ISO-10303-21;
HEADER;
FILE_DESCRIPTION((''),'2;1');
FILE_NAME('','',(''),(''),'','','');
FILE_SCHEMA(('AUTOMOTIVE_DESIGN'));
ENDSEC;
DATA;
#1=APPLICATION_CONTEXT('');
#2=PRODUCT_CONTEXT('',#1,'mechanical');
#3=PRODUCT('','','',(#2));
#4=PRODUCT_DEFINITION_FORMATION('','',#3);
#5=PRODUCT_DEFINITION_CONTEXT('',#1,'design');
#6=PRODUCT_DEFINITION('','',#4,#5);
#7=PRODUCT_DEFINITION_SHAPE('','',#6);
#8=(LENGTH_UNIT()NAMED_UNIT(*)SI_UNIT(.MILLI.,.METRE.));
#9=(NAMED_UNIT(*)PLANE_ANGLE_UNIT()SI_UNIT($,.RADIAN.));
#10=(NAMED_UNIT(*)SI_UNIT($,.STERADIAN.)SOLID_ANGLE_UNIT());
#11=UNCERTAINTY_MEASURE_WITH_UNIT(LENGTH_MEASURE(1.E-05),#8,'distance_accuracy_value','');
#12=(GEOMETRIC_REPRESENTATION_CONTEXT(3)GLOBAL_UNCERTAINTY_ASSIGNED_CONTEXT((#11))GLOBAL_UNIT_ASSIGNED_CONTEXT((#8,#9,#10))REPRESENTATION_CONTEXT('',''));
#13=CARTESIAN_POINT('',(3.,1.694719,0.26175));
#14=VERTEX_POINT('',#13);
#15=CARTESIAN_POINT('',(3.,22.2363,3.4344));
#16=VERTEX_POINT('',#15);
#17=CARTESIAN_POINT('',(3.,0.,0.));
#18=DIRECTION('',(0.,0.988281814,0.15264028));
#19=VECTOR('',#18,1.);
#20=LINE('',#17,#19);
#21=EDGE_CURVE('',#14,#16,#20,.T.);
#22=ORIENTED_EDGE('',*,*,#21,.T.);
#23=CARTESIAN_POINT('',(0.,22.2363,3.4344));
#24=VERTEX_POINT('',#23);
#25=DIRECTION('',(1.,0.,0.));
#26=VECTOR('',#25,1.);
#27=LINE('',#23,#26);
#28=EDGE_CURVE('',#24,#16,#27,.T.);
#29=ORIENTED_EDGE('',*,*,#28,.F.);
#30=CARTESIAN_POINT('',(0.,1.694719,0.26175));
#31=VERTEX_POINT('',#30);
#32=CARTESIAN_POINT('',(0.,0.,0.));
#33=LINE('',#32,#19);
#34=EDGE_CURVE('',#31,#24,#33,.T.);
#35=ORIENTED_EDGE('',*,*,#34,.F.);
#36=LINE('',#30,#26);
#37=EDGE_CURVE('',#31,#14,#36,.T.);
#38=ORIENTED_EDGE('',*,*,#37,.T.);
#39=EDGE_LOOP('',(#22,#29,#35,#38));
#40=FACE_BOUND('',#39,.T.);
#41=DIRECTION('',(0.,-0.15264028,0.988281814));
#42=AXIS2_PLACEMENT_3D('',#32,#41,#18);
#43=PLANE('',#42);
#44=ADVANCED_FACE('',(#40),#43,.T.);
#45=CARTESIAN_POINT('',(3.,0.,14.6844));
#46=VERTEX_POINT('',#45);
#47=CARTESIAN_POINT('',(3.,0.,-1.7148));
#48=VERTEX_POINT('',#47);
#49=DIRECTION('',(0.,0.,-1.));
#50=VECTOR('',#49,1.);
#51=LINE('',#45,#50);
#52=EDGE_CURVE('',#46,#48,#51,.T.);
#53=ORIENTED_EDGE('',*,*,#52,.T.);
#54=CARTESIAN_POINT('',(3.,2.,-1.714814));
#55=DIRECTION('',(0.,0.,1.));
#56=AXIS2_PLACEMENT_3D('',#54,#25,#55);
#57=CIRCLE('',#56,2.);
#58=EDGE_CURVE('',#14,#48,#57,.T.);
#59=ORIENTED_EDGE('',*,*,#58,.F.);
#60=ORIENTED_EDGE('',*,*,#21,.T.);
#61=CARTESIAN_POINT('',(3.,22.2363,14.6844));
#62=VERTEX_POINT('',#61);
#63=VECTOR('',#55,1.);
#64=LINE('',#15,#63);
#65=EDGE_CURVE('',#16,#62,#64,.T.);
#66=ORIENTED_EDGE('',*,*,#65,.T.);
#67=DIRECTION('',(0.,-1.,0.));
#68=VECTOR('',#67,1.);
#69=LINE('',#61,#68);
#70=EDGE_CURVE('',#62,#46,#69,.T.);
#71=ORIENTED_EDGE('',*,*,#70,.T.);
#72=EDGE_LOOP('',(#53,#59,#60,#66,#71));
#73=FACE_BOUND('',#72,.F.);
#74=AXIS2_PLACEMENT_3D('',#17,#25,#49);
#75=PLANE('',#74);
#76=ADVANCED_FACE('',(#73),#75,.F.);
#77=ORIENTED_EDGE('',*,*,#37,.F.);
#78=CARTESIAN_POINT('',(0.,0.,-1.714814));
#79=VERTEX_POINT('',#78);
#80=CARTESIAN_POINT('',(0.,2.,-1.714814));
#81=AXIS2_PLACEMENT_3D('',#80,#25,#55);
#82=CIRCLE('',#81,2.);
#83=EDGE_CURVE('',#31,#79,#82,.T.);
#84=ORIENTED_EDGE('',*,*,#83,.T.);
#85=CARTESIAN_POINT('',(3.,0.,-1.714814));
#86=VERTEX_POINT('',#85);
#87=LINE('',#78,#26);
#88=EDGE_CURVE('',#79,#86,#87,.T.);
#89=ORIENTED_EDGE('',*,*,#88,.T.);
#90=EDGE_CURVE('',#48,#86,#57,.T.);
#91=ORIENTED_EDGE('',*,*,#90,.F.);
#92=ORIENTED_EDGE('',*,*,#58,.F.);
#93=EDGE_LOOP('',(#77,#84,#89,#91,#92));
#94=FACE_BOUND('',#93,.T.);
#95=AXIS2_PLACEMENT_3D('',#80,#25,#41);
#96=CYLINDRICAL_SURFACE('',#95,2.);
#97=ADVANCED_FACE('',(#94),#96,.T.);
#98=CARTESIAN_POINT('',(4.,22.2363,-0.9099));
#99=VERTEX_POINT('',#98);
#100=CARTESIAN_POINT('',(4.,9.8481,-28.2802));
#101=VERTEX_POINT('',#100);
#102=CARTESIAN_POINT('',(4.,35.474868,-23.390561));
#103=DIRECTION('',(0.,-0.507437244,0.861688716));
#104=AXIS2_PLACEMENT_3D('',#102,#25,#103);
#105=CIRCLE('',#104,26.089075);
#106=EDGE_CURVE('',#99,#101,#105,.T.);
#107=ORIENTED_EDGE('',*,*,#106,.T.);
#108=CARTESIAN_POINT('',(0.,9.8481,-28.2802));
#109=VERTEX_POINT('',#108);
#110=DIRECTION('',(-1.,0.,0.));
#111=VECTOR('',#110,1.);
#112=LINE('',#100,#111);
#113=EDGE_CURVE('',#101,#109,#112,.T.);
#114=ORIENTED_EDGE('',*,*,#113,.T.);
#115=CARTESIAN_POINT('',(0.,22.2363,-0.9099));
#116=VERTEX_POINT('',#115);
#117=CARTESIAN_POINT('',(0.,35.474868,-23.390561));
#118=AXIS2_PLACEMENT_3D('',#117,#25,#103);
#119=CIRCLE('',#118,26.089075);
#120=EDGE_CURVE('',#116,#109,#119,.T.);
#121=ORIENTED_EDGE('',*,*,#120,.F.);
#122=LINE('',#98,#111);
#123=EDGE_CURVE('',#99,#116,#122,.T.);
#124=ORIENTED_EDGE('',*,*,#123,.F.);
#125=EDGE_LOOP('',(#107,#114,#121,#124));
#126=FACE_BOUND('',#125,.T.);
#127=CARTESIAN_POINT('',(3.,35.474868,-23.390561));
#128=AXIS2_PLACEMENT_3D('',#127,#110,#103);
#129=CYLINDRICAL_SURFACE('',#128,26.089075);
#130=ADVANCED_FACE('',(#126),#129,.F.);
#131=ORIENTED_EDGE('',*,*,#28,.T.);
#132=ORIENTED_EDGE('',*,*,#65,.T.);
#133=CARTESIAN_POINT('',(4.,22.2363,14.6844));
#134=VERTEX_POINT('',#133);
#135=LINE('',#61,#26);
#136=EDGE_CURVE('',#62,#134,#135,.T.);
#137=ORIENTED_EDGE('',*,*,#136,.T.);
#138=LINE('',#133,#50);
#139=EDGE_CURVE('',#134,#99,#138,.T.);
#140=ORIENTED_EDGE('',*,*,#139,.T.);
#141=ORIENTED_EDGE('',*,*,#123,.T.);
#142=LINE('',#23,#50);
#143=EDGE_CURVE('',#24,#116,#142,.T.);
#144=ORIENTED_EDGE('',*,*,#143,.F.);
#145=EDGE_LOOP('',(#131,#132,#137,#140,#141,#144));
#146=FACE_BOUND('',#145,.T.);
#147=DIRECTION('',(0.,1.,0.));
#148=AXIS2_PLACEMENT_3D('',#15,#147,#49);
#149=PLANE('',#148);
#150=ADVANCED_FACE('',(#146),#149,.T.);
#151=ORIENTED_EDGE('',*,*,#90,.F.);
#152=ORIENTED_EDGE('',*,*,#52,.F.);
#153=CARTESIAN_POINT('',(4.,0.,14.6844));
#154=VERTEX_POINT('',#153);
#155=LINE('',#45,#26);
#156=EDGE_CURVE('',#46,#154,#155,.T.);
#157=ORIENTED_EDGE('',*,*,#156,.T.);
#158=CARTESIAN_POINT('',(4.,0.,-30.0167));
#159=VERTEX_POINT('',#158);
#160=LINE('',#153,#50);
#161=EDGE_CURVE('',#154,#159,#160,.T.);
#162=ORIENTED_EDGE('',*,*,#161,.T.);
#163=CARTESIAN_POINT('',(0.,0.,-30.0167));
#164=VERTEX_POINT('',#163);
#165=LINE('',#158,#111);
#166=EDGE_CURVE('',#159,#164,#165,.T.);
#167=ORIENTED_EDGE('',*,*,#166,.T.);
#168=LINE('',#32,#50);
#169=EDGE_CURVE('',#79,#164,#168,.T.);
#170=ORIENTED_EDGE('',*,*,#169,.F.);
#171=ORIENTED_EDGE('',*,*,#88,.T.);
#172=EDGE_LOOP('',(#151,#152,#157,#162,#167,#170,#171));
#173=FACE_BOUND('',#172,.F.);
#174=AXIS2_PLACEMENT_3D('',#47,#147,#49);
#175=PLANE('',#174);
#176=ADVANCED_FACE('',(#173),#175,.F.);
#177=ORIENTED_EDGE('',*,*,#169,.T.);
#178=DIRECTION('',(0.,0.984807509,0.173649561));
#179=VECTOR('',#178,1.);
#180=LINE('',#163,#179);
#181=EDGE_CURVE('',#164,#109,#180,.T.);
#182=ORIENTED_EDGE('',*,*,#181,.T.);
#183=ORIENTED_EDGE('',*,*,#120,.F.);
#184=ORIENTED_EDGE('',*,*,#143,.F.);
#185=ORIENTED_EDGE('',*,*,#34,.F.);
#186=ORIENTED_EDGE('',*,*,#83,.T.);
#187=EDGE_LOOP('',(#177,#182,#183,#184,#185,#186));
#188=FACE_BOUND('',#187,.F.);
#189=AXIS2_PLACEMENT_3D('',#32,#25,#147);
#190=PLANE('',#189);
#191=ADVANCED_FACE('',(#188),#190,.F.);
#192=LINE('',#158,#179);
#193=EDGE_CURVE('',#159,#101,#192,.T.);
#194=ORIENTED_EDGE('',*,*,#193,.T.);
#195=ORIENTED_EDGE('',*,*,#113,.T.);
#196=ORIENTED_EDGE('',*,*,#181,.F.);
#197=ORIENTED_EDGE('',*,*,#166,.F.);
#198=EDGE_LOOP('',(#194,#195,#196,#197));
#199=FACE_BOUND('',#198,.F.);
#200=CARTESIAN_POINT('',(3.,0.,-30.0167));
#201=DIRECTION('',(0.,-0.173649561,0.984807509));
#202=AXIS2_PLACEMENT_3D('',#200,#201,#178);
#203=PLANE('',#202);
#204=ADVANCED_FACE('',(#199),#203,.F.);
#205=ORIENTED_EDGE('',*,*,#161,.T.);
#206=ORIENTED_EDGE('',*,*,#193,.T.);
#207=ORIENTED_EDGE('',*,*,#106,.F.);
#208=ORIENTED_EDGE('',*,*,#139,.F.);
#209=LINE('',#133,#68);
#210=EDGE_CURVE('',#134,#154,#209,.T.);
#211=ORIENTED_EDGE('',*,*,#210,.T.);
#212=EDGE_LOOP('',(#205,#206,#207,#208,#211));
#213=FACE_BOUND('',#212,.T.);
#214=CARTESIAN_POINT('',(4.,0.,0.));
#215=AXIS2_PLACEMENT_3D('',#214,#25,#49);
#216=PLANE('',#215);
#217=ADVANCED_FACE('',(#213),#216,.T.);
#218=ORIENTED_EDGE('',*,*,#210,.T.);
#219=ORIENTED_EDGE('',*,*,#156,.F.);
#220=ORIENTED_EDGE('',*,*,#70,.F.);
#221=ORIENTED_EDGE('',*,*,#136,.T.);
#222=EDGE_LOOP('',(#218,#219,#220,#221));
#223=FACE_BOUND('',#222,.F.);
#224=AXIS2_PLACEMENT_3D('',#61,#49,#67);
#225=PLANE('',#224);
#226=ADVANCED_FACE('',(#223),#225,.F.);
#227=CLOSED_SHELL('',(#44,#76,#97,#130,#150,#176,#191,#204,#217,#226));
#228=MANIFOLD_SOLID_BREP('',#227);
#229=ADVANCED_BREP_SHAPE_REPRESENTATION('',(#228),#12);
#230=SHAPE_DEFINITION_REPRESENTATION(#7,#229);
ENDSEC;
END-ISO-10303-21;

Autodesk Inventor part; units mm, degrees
ref_plane "YZ Plane" through (0, 0, 0) normal (1, 0, 0) x (0, 1, 0)
ref_plane "XZ Plane" through (0, 0, 0) normal (0, 1, 0) x (-1, 0, 0)
ref_plane "XY Plane" through (0, 0, 0) normal (0, 0, 1) x (1, 0, 0)
sketch "Sketch1" plane through (0, 0, 0) normal (1, 0, 0) x (0, 1, 0)
  line L0 (0, 0) -> (0, -30.0167)
  line L1 (0, 0) -> (22.2363, 3.4344)
  line L2 (22.2363, 3.4344) -> (22.2363, -0.9099)
  arc A0 (22.2363, -0.9099) -> (9.8481, -28.2802) centre (35.4748, -23.3905) ccw
  line L3 (0, -30.0167) -> (9.8481, -28.2802)
  dimension "d27" = 30.0167
  dimension "d28" = 22.5
  dimension "d29" = 98.78
  dimension "d35" = 9.8481
  dimension "d36" = 80
  dimension "d37" = 26.089
  dimension "d38" = 13.2384
extrude "Extrusion1" add sketch "Sketch1" along normal blind 3
fillet "Fillet2" radius 2 1 edges at (1.5, 0, 0)
sketch "Sketch3" plane through (3, 0, 0) normal (1, 0, 0) x (0, 0, -1)
  line L0 (-3.4344, 22.2363) -> (-0.2618, 1.6947) projected
  line L1 (-3.4344, 22.2363) -> (-14.6844, 22.2363)
  line L2 (-14.6844, 22.2363) -> (-14.6844, 0)
  line L3 (1.7148, 0) -> (30.0167, 0) projected
  line L4 (-14.6844, 0) -> (30.0167, 0)
  arc A0 (0.9099, 22.2363) -> (28.2802, 9.8481) centre (23.3905, 35.4748) ccw projected
  line L5 (-3.4344, 22.2363) -> (0.9099, 22.2363)
  arc A1 (0.9099, 22.2363) -> (28.2802, 9.8481) centre (23.3905, 35.4748) ccw
  line L6 (30.0167, 0) -> (28.2802, 9.8481) projected
  line L7 (28.2802, 9.8481) -> (30.0167, 0)
  point P0 (0, 0)
  dimension "d32" = 11.25
extrude "Extrusion3" add sketch "Sketch3" along normal blind 1
properties part number "jam-protector"
